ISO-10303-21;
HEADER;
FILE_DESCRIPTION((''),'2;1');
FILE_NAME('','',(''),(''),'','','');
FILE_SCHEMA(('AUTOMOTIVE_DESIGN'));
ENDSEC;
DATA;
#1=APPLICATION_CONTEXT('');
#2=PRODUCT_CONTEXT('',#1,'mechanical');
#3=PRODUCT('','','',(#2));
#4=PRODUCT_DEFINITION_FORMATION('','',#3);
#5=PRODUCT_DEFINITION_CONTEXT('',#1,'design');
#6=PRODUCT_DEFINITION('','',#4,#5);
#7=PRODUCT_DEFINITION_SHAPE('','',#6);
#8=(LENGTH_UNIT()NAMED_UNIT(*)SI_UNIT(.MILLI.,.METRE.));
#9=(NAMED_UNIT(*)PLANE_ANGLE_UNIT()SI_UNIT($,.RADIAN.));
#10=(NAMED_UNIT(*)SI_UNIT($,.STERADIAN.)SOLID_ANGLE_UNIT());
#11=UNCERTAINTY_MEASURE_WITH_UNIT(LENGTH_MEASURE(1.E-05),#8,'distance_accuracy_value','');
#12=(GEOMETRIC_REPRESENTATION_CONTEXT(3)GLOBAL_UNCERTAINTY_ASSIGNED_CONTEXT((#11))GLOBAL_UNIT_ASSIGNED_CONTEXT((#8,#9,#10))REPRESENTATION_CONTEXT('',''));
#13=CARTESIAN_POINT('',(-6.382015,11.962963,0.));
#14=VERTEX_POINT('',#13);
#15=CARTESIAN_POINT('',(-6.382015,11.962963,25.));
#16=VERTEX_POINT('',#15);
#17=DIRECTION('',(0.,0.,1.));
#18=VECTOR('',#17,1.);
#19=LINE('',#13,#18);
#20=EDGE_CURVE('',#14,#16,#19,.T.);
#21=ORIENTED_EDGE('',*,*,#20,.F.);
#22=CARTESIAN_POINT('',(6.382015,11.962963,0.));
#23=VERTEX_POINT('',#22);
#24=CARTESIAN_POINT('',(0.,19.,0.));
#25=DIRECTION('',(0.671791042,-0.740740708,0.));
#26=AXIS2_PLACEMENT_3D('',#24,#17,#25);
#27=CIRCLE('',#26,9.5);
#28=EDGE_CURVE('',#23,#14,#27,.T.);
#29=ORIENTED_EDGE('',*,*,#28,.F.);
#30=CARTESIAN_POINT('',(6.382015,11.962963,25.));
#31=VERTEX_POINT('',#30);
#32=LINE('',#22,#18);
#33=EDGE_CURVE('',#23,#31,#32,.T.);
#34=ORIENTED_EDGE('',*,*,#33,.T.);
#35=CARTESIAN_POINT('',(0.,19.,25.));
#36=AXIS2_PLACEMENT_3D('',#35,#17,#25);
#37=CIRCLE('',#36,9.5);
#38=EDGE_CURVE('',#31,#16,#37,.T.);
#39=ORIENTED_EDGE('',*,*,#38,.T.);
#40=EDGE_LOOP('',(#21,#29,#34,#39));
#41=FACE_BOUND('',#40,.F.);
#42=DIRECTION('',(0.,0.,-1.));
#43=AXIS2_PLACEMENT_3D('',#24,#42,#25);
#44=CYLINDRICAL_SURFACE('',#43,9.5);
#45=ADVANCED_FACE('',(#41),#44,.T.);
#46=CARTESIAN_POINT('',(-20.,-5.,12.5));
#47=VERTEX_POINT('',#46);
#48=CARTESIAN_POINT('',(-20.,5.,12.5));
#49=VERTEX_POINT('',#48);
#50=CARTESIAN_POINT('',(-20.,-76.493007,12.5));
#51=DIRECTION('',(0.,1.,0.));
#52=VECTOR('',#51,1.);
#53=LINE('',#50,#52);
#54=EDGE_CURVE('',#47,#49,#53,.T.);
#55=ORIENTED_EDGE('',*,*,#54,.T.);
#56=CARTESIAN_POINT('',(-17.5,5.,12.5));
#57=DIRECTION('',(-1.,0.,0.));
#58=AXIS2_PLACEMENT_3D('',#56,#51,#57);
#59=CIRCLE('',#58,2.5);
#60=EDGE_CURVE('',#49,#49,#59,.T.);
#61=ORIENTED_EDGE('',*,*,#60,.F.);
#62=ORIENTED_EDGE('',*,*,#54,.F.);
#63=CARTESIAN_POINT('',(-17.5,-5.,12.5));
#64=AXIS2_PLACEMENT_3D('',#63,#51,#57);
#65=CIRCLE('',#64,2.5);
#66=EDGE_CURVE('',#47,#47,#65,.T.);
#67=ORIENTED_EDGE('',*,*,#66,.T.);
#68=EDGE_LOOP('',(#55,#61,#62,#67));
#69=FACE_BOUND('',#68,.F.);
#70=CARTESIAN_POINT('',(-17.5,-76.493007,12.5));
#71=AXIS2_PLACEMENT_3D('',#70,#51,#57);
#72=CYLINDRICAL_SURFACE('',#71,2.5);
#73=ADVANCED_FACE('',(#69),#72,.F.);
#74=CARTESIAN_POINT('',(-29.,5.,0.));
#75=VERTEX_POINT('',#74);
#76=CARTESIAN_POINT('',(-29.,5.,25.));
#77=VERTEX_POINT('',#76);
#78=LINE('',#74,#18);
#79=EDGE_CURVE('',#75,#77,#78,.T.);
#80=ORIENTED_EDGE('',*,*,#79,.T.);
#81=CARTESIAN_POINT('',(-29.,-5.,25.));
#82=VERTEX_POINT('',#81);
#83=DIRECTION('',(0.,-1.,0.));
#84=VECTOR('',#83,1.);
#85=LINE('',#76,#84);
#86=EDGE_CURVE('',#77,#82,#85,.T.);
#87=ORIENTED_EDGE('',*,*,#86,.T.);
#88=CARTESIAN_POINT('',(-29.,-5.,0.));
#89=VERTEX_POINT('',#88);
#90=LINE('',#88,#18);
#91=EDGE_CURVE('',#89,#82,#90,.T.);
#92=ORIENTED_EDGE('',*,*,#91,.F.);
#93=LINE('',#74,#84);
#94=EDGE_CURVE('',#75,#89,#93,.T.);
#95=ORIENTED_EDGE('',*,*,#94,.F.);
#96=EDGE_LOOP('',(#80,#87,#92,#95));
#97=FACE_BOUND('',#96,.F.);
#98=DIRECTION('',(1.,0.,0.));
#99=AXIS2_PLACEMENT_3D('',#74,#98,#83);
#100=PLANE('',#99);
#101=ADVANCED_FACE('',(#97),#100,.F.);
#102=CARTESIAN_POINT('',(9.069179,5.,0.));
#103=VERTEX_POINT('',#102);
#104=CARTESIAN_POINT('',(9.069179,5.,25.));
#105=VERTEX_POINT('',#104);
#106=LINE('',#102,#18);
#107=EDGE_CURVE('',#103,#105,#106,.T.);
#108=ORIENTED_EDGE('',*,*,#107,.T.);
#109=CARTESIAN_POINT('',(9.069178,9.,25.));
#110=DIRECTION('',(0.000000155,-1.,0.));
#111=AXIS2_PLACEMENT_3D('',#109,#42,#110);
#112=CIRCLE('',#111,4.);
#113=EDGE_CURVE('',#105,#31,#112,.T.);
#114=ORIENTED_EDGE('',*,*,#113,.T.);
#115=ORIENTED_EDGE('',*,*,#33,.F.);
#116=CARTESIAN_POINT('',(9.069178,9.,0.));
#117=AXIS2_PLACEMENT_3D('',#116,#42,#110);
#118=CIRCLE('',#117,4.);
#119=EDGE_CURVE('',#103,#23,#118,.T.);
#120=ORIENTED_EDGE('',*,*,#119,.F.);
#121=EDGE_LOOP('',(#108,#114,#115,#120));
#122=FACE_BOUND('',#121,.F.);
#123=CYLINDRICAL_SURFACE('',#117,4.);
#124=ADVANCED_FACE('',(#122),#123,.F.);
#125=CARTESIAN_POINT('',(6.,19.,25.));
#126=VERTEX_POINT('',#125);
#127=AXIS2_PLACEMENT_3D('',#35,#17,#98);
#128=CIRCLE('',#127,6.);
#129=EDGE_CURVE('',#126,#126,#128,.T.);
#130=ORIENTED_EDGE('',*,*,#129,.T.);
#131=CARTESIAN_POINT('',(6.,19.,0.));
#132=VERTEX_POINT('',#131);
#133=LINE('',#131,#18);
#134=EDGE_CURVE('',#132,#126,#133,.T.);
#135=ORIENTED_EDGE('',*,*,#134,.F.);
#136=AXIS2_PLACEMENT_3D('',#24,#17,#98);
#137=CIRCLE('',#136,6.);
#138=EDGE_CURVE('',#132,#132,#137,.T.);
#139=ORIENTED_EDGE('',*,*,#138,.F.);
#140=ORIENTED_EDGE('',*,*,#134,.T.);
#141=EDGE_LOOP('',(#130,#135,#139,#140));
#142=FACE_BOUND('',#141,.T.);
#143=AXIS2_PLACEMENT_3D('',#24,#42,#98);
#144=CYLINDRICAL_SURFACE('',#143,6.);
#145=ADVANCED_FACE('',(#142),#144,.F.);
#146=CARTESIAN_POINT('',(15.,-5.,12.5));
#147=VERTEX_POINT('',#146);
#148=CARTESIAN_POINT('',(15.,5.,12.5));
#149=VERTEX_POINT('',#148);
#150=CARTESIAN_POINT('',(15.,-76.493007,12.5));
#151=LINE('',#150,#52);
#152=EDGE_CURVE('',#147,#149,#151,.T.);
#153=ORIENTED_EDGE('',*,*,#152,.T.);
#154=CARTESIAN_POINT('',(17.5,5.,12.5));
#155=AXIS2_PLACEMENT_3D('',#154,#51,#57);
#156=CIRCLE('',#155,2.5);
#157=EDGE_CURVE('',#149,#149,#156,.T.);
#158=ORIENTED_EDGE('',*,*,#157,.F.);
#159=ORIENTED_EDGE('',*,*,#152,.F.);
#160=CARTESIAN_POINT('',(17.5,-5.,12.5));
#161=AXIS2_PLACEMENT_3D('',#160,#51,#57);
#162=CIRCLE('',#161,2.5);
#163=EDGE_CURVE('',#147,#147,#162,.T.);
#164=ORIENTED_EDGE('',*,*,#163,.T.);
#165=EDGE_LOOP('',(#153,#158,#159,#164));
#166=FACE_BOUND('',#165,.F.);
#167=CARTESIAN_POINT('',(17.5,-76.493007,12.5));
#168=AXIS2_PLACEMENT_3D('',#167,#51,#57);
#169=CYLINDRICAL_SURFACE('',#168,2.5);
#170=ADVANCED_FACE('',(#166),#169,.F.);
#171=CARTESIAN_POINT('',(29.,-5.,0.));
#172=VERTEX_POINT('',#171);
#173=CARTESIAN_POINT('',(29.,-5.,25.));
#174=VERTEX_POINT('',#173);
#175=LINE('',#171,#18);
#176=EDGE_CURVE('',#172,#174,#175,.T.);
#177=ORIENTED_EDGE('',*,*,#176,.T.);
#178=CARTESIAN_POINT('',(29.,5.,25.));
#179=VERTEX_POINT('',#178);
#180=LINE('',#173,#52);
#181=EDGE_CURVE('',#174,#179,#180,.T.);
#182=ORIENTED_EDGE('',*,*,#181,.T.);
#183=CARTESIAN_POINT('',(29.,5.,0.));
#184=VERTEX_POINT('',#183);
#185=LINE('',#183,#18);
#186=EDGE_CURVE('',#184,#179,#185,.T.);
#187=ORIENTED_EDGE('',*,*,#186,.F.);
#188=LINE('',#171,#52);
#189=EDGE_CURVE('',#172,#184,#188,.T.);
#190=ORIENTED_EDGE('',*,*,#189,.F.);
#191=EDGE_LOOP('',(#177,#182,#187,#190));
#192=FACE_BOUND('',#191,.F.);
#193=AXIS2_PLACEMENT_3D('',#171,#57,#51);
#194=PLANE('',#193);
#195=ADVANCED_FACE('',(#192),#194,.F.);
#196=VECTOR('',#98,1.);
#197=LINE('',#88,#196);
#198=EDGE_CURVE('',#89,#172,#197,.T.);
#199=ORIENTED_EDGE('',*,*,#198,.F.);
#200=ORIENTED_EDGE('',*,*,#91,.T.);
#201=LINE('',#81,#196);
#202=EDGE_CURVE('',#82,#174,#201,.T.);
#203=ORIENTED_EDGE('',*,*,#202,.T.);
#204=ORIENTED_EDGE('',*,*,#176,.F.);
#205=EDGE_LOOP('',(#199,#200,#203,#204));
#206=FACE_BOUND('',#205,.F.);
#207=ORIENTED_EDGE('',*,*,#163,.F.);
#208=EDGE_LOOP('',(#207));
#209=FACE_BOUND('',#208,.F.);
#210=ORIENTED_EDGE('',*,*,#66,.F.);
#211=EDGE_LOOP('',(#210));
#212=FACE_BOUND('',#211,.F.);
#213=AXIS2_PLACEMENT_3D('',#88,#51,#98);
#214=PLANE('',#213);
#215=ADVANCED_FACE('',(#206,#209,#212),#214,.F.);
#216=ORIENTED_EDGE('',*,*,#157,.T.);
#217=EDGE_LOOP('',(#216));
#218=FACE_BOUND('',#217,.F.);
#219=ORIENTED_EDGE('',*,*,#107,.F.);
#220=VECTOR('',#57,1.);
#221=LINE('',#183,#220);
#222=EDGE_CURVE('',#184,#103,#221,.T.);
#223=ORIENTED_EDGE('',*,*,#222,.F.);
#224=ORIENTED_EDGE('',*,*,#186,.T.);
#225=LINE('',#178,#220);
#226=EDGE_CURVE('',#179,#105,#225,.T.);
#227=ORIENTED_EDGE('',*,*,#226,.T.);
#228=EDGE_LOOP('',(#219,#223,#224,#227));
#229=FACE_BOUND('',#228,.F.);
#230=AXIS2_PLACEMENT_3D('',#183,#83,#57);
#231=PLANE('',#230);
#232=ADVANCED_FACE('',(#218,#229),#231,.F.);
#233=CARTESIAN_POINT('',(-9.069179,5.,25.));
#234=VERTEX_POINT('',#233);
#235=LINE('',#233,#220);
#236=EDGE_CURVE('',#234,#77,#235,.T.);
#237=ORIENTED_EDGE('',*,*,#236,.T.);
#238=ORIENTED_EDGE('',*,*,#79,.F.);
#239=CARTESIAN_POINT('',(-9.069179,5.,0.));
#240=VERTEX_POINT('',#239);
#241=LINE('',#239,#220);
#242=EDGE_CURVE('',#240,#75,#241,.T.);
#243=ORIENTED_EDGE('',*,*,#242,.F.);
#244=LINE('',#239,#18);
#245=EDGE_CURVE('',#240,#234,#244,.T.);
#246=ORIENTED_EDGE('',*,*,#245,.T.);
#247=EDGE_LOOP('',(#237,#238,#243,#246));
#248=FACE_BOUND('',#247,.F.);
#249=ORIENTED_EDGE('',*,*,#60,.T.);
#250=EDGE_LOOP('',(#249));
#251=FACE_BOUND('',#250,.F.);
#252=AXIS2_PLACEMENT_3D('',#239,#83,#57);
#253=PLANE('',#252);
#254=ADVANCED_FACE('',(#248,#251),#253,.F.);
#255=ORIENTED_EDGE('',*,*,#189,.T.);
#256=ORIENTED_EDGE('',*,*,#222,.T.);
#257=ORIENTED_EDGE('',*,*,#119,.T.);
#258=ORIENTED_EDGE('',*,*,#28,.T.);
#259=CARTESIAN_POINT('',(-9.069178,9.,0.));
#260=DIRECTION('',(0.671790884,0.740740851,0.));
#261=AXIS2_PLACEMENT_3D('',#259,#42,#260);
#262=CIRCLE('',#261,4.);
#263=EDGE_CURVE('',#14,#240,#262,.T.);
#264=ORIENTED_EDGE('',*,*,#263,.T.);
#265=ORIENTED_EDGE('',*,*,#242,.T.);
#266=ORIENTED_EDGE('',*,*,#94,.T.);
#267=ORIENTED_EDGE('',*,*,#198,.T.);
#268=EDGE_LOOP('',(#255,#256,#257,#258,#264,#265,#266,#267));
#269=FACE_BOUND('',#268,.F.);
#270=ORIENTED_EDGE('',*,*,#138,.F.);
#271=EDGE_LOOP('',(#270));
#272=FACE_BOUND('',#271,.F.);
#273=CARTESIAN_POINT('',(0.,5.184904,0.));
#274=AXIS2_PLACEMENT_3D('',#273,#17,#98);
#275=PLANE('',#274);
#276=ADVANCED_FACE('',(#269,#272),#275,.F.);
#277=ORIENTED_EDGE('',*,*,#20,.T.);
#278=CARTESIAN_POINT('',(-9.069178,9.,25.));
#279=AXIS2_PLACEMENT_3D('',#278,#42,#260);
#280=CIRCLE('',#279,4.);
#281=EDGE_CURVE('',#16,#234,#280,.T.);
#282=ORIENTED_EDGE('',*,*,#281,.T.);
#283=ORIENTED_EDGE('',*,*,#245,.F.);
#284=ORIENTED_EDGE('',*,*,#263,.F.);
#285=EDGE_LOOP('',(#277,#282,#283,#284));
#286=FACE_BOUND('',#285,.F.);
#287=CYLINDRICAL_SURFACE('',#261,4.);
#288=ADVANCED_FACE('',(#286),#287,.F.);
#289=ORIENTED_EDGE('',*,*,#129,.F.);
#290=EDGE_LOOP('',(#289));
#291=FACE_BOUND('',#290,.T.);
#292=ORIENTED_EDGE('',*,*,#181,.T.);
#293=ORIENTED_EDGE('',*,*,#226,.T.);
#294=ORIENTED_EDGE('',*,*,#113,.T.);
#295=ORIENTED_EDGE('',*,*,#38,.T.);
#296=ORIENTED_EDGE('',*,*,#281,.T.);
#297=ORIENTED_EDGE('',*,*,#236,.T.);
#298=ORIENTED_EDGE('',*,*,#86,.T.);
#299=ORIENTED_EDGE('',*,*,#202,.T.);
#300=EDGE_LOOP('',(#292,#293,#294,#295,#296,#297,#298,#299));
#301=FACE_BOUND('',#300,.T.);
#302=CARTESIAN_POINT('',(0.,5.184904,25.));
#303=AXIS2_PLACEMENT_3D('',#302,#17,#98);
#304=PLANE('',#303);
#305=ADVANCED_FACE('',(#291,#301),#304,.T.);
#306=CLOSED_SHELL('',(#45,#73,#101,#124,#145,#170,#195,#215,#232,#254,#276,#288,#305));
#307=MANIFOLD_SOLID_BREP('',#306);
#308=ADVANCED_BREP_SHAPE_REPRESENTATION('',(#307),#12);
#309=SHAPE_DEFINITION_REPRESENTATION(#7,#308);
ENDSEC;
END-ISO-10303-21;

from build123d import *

# Parameters (mm, degrees)
F0_R     = 6
F1_DEPTH = 25
F3_D     = 5


with BuildPart() as f1:
    # F0 (on Top) → F1 (new body)
    with BuildSketch(Plane.XY):
        with BuildLine():
            Line((-9.069179, 5), (-29, 5))
            Line((-29, 5), (-29, -5))
            Line((-29, -5), (29, -5))
            Line((29, -5), (29, 5))
            Line((29, 5), (9.069179, 5))
            ThreePointArc((9.069179, 5), (5.337433, 7.559835), (6.382015, 11.962963))
            ThreePointArc((6.382015, 11.962963), (0, 28.5), (-6.382015, 11.962963))
            ThreePointArc((-6.382015, 11.962963), (-5.337433, 7.559835), (-9.069179, 5))
        make_face()
        with Locations((0, 19)):
            Circle(F0_R, mode=Mode.SUBTRACT)
    extrude(amount=F1_DEPTH)

    # F3 (through all)
    with Locations(Plane.XZ.offset(5)):
        with Locations((-17.5, 12.5), (17.5, 12.5)):
            Hole(F3_D / 2)


solid = f1.part
